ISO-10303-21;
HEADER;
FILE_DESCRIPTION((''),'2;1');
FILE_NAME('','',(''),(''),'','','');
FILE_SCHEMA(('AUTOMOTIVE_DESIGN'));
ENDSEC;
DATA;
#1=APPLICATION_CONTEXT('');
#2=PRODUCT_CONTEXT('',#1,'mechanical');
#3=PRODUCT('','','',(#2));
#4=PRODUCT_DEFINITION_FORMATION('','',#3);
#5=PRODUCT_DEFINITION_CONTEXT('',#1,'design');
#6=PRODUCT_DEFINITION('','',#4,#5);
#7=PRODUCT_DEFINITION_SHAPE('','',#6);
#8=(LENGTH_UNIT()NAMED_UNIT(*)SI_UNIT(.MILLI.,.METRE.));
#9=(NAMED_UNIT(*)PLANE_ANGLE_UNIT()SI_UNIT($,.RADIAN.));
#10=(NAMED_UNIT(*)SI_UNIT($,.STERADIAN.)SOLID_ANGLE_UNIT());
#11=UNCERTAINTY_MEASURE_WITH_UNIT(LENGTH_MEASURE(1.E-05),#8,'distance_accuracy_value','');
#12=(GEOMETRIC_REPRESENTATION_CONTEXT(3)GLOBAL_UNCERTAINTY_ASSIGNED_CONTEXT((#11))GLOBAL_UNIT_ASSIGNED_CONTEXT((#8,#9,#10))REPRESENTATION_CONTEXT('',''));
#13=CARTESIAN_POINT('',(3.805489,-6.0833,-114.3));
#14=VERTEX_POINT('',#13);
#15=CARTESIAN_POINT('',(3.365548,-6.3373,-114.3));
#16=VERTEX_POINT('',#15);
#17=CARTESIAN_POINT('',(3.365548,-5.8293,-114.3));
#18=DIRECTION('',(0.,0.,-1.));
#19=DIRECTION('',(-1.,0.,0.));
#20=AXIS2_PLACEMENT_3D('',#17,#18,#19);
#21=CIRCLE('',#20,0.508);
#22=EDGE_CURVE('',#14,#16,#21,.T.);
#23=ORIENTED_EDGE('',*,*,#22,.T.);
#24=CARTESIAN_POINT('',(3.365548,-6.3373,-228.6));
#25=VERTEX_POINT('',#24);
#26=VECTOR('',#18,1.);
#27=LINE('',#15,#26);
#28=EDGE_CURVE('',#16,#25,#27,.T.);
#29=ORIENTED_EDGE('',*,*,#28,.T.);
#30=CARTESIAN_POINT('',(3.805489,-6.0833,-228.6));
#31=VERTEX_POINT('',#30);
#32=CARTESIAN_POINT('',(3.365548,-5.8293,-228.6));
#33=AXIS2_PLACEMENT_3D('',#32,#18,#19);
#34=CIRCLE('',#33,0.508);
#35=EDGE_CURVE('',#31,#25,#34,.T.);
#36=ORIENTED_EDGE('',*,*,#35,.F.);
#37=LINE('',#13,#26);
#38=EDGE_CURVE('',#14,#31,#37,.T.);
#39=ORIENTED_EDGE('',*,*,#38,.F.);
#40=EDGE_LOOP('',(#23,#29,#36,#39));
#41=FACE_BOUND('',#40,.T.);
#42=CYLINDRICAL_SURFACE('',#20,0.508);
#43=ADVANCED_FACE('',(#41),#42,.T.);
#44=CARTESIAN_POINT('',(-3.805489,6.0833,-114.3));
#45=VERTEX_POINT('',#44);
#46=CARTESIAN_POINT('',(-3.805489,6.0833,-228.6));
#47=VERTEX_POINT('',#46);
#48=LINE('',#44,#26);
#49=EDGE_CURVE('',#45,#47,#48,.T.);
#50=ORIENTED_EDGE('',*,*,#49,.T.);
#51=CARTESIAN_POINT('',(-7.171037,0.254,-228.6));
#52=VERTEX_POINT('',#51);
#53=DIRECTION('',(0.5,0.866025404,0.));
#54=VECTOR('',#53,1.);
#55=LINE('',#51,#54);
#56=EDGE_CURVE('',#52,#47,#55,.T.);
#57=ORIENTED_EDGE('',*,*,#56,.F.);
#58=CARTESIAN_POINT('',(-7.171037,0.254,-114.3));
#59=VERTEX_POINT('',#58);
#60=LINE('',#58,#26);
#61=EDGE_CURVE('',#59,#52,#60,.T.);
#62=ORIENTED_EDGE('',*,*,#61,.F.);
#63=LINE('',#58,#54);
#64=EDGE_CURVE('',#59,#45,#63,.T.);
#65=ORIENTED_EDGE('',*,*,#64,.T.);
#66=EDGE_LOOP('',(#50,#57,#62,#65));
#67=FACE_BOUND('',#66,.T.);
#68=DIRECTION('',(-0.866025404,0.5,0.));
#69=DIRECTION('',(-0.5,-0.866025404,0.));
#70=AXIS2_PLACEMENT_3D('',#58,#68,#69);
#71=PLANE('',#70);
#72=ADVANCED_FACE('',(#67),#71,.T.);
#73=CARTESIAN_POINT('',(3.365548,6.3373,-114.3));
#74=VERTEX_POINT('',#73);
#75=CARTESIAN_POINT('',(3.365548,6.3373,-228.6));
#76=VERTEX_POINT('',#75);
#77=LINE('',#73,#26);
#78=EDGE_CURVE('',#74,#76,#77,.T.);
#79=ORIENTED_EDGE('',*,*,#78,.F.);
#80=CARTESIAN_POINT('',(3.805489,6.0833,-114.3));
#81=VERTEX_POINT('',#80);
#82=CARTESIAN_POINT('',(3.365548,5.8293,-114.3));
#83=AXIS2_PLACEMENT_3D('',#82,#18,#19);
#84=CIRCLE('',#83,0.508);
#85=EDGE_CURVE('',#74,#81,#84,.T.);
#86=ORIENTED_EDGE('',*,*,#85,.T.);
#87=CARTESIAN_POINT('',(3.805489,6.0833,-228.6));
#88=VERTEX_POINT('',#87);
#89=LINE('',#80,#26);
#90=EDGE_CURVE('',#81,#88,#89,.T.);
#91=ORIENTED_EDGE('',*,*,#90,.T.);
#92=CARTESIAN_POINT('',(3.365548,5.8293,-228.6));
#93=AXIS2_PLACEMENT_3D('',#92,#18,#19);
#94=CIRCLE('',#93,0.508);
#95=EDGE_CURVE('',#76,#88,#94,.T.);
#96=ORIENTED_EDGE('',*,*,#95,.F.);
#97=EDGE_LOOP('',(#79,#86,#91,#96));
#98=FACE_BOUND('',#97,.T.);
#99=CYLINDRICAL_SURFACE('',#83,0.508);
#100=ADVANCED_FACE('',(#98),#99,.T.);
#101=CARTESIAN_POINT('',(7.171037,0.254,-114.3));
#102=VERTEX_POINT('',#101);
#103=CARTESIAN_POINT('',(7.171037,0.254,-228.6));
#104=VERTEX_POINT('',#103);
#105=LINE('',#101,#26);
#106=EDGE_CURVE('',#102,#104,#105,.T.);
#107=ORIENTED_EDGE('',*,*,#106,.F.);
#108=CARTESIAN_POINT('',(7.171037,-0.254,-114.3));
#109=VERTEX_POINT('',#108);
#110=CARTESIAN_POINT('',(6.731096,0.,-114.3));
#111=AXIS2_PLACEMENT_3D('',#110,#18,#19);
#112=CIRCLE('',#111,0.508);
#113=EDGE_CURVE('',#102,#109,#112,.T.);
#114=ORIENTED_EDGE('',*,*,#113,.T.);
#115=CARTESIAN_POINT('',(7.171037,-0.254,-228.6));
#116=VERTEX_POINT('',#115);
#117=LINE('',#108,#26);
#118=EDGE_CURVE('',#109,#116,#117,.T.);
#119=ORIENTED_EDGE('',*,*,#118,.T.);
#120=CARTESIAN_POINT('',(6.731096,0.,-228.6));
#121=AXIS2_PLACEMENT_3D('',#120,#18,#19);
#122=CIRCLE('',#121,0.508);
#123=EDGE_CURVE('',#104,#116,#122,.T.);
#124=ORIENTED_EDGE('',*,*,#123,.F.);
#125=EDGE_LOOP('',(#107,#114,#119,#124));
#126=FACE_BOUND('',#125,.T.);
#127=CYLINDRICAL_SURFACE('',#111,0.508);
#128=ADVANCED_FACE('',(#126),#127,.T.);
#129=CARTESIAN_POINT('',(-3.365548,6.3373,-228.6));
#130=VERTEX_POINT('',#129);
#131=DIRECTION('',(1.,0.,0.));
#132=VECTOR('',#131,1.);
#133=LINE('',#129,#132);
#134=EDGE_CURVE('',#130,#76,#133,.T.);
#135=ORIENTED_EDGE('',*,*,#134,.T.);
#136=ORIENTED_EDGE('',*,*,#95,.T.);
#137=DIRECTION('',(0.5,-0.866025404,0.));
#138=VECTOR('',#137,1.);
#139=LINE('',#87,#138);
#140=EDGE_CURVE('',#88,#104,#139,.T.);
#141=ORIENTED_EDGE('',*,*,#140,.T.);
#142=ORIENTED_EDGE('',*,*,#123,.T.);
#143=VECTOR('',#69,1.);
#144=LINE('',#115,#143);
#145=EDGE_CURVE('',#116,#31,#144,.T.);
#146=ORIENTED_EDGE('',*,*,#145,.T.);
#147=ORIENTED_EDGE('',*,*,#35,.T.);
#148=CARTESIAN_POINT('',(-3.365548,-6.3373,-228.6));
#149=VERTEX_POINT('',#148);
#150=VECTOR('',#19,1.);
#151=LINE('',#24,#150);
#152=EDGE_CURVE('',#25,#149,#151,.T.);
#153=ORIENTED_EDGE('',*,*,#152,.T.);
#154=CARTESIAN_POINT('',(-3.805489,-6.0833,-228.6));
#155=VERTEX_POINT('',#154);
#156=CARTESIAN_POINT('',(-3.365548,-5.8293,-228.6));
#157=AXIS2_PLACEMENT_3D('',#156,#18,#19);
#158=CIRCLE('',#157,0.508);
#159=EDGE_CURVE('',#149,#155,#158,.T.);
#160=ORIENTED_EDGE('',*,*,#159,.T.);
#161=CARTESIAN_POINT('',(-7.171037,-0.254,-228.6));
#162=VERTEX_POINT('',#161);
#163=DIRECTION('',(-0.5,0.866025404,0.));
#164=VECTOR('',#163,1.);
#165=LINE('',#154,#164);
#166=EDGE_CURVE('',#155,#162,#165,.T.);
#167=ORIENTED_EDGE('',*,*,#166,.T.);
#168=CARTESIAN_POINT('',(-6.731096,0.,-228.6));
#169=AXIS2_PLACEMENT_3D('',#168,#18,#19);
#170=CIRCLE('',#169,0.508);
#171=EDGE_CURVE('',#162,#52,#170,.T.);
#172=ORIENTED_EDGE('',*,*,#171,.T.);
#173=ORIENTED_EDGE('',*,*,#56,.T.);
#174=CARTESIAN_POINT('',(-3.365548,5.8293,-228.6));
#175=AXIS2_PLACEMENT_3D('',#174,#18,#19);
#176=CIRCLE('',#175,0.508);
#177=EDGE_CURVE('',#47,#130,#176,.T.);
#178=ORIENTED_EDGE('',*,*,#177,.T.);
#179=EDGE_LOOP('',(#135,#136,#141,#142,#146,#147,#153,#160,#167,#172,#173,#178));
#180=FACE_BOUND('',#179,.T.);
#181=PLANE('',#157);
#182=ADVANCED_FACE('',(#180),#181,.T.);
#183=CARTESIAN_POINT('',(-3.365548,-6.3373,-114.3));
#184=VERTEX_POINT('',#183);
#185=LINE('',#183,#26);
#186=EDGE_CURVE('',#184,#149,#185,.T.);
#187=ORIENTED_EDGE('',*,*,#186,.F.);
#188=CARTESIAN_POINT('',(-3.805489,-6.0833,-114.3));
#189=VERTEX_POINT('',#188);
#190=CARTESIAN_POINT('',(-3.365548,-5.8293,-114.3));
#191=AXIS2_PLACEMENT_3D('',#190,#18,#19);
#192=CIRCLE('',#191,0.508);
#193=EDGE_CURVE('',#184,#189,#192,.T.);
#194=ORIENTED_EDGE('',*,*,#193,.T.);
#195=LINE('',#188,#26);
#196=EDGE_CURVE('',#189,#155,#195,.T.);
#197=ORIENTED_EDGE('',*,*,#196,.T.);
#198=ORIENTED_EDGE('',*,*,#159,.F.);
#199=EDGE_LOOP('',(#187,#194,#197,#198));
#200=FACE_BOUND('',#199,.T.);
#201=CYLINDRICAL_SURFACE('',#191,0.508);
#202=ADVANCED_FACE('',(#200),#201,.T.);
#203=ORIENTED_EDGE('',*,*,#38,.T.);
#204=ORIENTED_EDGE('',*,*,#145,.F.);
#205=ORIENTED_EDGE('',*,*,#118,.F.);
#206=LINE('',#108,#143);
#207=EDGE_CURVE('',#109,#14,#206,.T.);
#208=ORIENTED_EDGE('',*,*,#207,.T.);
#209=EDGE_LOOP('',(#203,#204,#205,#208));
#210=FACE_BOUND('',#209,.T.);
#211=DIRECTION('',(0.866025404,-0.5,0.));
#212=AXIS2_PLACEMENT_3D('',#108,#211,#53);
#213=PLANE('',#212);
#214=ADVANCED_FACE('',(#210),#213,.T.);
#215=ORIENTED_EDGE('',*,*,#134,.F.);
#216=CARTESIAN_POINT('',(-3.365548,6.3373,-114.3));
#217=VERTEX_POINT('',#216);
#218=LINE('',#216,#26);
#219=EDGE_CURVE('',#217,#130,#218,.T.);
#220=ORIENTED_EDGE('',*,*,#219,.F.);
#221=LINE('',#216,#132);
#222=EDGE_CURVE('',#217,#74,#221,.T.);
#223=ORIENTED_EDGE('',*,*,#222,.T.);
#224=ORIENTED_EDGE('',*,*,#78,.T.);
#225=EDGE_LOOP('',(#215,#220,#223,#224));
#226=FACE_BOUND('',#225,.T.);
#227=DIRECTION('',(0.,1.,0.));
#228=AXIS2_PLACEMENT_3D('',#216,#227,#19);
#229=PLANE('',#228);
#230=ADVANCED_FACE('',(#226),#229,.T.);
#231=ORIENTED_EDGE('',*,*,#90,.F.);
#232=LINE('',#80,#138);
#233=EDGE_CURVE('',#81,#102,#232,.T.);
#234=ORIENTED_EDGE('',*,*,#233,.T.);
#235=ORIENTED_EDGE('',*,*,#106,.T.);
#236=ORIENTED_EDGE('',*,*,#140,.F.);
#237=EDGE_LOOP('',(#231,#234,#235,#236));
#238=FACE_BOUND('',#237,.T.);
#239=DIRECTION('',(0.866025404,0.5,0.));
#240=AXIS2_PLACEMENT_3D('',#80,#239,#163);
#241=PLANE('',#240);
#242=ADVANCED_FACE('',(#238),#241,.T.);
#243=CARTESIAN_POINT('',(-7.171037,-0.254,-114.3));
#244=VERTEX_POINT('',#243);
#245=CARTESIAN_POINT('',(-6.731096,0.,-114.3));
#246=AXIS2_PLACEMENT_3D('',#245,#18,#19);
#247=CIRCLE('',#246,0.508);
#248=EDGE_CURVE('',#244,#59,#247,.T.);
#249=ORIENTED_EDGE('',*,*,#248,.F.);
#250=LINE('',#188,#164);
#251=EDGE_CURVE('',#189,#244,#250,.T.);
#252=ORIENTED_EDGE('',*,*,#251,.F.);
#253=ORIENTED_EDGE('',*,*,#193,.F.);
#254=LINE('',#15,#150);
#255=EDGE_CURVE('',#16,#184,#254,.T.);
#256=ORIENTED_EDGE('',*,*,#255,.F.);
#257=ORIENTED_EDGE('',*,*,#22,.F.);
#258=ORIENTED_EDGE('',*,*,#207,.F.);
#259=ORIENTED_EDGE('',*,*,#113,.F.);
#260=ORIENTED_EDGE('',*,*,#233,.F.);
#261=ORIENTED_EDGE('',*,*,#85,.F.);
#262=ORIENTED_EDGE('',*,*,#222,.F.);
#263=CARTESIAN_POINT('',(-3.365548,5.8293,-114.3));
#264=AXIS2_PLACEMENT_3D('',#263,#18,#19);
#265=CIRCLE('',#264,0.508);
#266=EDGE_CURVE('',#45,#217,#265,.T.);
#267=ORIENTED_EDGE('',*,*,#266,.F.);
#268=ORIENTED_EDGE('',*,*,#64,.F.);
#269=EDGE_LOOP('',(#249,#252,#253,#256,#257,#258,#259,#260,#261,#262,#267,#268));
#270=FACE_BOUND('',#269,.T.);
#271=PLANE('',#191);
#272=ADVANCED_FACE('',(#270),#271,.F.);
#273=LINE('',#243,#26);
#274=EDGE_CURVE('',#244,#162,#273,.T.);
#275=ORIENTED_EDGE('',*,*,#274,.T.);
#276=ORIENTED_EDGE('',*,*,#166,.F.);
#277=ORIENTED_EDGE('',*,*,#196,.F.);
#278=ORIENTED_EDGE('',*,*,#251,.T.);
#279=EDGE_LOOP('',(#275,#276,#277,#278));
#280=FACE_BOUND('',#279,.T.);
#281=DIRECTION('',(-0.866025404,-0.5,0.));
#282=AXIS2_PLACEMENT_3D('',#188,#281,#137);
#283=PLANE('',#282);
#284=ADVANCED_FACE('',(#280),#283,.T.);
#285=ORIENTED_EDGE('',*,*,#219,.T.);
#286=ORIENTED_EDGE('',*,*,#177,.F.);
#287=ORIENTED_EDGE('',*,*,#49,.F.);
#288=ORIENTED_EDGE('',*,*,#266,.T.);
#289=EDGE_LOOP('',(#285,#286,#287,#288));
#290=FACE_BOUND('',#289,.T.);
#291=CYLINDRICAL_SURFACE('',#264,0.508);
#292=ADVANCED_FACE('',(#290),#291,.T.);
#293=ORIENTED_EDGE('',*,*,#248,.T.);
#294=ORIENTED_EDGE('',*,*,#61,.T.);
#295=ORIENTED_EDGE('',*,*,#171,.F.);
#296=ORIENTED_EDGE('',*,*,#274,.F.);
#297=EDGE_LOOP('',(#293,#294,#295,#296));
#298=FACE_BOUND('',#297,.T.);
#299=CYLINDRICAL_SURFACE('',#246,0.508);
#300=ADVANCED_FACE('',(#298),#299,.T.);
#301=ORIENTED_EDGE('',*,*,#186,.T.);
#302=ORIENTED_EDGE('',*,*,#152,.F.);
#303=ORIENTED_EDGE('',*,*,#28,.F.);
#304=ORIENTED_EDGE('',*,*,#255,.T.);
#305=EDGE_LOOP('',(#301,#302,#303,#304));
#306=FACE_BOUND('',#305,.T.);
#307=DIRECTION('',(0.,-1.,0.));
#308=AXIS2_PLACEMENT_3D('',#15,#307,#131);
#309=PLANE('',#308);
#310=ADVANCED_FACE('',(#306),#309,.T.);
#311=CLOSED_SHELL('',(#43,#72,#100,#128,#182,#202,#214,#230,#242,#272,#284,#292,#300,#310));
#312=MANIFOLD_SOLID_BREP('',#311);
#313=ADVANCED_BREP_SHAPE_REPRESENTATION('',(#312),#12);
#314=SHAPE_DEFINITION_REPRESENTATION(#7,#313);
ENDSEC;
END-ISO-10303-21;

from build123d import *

# Parameters (mm, degrees)
BOSS_EXTRUDE1_DEPTH = 114.3


with BuildPart() as part:
    # Sketch1 → Boss-Extrude1 (new body)
    with BuildSketch(Plane(origin=(0, 0, -228.6), x_dir=(-1, 0, 0), z_dir=(0, 0, -1))):
        with BuildLine():
            Line((3.805488829, -6.0833), (7.171036753, -0.254))
            ThreePointArc((7.171036753, -0.254), (7.239095848, 0), (7.171036753, 0.254))
            Line((7.171036753, 0.254), (3.805488829, 6.0833))
            ThreePointArc((3.805488829, 6.0833), (3.619547924, 6.269240905), (3.365547924, 6.3373))
            Line((3.365547924, 6.3373), (-3.365547924, 6.3373))
            ThreePointArc((-3.365547924, 6.3373), (-3.619547924, 6.269240905), (-3.805488829, 6.0833))
            Line((-3.805488829, 6.0833), (-7.171036753, 0.254))
            ThreePointArc((-7.171036753, 0.254), (-7.239095848, 0), (-7.171036753, -0.254))
            Line((-7.171036753, -0.254), (-3.805488829, -6.0833))
            ThreePointArc((-3.805488829, -6.0833), (-3.619547924, -6.269240905), (-3.365547924, -6.3373))
            Line((-3.365547924, -6.3373), (3.365547924, -6.3373))
            ThreePointArc((3.365547924, -6.3373), (3.619547924, -6.269240905), (3.805488829, -6.0833))
        make_face()
    extrude(amount=-BOSS_EXTRUDE1_DEPTH)


solid = part.part
